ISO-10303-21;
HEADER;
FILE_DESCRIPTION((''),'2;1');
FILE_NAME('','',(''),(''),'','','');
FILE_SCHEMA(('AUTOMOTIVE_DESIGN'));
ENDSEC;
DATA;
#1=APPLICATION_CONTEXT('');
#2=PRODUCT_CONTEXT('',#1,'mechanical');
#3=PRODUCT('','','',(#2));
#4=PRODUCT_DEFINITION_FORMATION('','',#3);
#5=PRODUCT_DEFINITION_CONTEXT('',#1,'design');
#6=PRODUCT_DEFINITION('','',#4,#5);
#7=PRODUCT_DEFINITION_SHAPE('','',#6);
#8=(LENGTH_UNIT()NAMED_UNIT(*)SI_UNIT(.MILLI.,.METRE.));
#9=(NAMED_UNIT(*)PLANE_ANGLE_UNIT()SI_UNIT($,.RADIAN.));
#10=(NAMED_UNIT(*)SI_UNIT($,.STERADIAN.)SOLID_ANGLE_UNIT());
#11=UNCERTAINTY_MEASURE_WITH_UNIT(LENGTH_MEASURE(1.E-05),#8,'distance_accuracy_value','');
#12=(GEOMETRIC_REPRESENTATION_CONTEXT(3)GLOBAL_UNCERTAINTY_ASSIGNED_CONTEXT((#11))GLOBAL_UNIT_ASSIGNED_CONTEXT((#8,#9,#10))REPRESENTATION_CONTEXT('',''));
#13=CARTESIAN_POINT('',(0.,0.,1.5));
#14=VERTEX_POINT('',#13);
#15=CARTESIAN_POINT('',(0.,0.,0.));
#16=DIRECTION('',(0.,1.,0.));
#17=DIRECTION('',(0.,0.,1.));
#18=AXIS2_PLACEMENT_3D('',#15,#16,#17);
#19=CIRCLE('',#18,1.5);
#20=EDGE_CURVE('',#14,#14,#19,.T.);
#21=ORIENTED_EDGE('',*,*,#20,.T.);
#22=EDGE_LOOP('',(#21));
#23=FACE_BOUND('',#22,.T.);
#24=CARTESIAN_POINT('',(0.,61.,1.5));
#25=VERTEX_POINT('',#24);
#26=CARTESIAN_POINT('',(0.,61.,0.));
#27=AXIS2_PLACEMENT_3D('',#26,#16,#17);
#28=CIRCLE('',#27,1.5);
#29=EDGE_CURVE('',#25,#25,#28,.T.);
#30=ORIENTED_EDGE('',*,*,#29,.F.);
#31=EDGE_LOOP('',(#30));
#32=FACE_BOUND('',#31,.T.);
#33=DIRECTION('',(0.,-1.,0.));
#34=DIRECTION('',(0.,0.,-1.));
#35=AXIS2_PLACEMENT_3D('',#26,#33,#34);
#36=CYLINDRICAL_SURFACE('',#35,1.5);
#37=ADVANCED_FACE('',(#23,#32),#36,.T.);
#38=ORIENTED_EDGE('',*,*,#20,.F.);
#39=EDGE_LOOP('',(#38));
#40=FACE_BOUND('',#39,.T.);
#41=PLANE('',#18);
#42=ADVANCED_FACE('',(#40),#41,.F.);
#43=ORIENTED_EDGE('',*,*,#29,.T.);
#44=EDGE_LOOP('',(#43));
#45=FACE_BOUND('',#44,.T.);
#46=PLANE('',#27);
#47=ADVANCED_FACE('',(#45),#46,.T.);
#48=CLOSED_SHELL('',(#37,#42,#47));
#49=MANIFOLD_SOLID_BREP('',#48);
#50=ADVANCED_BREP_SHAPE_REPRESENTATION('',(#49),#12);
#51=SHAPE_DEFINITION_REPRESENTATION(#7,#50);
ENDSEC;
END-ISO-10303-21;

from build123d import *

# Parameters (mm, degrees)
SKETCH1_R           = 1.5
BOSS_EXTRUDE1_DEPTH = 61


with BuildPart() as part:
    # Sketch1 → Boss-Extrude1 (new body)
    with BuildSketch(Plane(origin=(0, 0, 0), x_dir=(1, 0, 0), z_dir=(0, 1, 0))):
        Circle(SKETCH1_R)
    extrude(amount=BOSS_EXTRUDE1_DEPTH)


solid = part.part
